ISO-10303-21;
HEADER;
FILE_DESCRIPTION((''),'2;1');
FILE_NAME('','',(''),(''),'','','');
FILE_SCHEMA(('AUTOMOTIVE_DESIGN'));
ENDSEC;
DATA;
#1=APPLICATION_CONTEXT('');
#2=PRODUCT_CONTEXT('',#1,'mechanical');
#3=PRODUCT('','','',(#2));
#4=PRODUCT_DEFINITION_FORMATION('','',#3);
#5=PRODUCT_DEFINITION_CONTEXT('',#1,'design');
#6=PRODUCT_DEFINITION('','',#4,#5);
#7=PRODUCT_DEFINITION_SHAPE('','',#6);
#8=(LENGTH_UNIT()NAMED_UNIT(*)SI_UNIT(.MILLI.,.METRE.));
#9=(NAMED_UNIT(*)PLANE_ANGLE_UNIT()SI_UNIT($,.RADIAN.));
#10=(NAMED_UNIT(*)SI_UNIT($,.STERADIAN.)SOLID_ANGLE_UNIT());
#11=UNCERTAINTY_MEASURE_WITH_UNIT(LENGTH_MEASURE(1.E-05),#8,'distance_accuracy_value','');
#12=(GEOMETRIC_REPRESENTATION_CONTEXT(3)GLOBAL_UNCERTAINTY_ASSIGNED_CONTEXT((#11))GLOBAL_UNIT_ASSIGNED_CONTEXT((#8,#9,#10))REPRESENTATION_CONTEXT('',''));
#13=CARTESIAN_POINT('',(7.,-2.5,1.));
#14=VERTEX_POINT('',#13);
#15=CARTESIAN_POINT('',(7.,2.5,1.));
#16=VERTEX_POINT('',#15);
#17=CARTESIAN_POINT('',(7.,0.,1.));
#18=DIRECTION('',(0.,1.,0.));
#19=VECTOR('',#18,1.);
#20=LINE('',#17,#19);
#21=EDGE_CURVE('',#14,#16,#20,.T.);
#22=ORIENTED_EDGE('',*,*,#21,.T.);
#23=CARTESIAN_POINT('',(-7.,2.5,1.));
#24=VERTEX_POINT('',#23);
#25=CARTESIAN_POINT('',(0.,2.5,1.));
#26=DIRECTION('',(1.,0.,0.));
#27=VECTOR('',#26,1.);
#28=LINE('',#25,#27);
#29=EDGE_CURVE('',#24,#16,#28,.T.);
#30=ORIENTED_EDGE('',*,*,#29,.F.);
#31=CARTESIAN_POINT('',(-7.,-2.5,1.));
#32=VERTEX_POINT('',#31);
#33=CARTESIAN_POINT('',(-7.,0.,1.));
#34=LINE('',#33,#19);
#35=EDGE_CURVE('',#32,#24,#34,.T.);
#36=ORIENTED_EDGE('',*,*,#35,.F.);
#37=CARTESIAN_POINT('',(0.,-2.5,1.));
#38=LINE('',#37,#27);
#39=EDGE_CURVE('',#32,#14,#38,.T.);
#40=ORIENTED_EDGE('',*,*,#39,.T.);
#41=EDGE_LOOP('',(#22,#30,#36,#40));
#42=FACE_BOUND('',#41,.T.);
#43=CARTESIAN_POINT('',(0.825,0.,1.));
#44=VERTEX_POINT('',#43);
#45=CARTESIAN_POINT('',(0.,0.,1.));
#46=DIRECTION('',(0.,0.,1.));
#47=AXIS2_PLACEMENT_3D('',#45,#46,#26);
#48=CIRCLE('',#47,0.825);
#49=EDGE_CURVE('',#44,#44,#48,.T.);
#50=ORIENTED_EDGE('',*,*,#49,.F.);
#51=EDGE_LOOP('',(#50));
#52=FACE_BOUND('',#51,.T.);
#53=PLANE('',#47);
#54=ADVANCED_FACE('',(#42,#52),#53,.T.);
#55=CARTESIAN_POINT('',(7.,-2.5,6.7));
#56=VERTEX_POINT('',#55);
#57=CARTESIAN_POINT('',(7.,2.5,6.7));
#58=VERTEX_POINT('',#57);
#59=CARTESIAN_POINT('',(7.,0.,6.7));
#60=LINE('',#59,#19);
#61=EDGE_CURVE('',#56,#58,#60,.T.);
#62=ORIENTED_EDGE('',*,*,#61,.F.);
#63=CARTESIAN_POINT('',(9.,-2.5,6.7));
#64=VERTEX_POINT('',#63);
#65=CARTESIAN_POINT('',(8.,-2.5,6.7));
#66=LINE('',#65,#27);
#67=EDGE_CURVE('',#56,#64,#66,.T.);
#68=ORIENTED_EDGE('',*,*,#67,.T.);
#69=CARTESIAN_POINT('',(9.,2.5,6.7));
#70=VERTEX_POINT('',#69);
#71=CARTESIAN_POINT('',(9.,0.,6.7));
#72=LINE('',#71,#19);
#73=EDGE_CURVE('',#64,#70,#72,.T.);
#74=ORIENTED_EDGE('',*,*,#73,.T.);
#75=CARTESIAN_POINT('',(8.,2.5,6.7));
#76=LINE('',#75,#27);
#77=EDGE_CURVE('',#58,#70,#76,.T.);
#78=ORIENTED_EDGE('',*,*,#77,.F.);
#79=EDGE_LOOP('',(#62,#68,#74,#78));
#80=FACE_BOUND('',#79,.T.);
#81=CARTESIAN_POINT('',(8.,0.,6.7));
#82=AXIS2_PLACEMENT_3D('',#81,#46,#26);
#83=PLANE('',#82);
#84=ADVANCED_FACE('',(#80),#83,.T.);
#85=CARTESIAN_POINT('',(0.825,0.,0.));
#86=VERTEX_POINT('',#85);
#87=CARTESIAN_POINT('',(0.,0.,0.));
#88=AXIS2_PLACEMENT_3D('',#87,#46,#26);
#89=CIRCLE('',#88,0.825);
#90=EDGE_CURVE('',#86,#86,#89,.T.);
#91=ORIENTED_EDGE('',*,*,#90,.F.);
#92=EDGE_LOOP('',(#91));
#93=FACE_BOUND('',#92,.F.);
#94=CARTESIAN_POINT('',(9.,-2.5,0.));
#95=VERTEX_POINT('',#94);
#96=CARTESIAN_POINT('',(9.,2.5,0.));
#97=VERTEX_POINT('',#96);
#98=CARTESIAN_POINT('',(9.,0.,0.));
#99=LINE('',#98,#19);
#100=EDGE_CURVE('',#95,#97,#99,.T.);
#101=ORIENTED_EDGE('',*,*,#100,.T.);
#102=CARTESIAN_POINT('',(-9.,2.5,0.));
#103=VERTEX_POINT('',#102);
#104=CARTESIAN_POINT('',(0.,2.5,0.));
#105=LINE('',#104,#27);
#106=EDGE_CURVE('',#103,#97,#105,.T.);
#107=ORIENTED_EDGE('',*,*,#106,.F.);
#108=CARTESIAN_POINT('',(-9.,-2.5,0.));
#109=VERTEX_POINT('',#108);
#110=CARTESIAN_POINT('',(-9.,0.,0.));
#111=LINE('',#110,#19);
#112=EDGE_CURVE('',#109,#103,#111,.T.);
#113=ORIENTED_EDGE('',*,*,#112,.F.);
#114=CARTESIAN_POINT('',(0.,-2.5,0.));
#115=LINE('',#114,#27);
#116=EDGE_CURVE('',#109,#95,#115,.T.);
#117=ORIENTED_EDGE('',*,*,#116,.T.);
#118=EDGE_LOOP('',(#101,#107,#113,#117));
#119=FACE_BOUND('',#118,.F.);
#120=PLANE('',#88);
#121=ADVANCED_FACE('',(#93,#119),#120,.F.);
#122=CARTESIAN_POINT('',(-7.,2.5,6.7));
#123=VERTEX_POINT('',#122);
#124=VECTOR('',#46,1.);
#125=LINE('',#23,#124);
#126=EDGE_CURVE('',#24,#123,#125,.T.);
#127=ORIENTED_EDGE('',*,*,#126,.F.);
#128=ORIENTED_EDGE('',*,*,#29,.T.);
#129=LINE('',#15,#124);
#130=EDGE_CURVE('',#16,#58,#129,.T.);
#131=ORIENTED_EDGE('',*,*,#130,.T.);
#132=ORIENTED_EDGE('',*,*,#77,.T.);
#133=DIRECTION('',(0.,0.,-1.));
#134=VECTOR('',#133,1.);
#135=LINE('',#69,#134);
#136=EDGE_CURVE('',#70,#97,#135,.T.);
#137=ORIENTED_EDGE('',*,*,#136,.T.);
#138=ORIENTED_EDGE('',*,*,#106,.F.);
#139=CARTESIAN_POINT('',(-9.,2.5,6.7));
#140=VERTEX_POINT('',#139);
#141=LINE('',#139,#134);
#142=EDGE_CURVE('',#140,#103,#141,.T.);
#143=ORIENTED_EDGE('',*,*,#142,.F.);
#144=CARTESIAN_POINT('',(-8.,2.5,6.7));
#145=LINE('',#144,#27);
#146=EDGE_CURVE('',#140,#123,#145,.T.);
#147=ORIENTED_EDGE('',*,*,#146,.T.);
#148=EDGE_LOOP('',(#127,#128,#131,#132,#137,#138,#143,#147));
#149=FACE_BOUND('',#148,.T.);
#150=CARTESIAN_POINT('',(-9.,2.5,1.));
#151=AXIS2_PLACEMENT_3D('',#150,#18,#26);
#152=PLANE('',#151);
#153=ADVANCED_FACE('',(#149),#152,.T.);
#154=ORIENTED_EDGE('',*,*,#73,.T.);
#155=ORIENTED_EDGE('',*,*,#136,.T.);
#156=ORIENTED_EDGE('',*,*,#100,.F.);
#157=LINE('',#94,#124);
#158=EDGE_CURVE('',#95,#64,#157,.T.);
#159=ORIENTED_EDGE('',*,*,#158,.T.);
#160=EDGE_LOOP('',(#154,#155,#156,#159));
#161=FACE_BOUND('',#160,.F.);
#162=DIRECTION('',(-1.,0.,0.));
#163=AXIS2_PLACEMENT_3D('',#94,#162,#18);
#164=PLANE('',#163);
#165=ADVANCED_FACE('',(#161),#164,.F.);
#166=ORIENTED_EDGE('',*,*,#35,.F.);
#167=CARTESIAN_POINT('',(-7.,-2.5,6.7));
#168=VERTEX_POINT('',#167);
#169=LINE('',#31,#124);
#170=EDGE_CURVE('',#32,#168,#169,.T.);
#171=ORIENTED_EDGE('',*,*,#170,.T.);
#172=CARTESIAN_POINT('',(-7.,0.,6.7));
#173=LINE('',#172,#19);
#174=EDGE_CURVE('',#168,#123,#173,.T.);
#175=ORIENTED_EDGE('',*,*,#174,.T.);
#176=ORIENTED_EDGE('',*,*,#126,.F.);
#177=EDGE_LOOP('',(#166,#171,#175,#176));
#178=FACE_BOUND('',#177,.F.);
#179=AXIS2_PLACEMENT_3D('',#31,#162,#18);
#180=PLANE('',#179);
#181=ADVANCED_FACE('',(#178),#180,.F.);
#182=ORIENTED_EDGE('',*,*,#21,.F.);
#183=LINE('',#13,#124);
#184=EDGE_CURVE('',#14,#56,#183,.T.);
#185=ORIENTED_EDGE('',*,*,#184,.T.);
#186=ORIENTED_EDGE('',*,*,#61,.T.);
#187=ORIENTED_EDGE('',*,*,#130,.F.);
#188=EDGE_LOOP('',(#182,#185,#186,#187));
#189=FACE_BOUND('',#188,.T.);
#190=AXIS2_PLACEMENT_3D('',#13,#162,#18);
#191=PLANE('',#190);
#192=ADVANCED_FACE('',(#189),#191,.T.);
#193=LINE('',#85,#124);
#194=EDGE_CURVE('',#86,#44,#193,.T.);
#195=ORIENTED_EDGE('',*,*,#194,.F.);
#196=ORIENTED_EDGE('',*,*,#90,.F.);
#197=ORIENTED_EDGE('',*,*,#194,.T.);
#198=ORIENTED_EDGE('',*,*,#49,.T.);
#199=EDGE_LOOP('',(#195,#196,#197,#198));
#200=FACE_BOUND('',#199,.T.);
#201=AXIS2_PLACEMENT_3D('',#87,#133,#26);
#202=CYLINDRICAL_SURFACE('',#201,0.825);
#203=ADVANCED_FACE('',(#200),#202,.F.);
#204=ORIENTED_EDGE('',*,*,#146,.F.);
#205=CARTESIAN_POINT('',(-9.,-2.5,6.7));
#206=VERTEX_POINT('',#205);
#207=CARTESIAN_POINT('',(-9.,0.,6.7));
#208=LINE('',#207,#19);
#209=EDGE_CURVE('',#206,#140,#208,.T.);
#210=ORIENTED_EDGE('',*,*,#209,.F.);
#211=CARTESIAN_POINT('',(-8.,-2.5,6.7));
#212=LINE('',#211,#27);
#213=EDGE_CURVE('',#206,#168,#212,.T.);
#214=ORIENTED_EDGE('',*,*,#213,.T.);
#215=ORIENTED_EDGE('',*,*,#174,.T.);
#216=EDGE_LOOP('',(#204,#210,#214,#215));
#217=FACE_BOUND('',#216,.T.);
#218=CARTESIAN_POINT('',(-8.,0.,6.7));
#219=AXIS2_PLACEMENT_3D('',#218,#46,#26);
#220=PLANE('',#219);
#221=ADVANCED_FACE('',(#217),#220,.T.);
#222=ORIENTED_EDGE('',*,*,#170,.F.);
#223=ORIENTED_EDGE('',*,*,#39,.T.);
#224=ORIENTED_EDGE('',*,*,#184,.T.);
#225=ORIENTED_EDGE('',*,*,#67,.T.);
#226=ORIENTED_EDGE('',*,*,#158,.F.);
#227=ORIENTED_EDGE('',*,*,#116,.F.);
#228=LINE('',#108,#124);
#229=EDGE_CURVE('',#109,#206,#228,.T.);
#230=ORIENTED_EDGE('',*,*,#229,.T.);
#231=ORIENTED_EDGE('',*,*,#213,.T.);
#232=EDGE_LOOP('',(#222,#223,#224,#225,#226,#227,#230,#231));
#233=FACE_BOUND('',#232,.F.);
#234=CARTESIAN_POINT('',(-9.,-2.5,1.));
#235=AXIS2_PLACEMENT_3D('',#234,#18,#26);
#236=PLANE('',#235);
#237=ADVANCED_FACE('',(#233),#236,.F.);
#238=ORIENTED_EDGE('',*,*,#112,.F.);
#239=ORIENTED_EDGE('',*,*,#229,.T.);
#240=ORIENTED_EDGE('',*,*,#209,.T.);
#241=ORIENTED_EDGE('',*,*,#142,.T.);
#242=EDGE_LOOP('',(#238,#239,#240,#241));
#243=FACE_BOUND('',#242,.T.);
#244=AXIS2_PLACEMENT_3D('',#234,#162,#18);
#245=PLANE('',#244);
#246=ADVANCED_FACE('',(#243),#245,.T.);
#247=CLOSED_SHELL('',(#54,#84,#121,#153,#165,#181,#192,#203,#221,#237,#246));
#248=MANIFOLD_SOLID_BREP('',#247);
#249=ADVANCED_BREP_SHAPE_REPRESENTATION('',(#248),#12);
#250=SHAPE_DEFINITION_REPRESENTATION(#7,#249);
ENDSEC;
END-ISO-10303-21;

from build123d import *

# Parameters (mm, degrees)
F0_W     = 18
F0_H     = 5
F0_R     = 0.825
F1_DEPTH = 1
F2_W     = 2
F2_H     = 5
F3_DEPTH = 5.7


with BuildPart() as f1:
    # F0 (on Top) → F1 (new body)
    with BuildSketch(Plane.XY):
        Rectangle(F0_W, F0_H)
        Circle(F0_R, mode=Mode.SUBTRACT)
    extrude(amount=F1_DEPTH)

    # F2 (on face) → F3 (join)
    with BuildSketch(Plane.XY.offset(1)):
        with Locations((-8, 0)):
            Rectangle(F2_W, F2_H)
        with Locations((8, 0)):
            Rectangle(F2_W, F2_H)
    extrude(amount=F3_DEPTH)


solid = f1.part
